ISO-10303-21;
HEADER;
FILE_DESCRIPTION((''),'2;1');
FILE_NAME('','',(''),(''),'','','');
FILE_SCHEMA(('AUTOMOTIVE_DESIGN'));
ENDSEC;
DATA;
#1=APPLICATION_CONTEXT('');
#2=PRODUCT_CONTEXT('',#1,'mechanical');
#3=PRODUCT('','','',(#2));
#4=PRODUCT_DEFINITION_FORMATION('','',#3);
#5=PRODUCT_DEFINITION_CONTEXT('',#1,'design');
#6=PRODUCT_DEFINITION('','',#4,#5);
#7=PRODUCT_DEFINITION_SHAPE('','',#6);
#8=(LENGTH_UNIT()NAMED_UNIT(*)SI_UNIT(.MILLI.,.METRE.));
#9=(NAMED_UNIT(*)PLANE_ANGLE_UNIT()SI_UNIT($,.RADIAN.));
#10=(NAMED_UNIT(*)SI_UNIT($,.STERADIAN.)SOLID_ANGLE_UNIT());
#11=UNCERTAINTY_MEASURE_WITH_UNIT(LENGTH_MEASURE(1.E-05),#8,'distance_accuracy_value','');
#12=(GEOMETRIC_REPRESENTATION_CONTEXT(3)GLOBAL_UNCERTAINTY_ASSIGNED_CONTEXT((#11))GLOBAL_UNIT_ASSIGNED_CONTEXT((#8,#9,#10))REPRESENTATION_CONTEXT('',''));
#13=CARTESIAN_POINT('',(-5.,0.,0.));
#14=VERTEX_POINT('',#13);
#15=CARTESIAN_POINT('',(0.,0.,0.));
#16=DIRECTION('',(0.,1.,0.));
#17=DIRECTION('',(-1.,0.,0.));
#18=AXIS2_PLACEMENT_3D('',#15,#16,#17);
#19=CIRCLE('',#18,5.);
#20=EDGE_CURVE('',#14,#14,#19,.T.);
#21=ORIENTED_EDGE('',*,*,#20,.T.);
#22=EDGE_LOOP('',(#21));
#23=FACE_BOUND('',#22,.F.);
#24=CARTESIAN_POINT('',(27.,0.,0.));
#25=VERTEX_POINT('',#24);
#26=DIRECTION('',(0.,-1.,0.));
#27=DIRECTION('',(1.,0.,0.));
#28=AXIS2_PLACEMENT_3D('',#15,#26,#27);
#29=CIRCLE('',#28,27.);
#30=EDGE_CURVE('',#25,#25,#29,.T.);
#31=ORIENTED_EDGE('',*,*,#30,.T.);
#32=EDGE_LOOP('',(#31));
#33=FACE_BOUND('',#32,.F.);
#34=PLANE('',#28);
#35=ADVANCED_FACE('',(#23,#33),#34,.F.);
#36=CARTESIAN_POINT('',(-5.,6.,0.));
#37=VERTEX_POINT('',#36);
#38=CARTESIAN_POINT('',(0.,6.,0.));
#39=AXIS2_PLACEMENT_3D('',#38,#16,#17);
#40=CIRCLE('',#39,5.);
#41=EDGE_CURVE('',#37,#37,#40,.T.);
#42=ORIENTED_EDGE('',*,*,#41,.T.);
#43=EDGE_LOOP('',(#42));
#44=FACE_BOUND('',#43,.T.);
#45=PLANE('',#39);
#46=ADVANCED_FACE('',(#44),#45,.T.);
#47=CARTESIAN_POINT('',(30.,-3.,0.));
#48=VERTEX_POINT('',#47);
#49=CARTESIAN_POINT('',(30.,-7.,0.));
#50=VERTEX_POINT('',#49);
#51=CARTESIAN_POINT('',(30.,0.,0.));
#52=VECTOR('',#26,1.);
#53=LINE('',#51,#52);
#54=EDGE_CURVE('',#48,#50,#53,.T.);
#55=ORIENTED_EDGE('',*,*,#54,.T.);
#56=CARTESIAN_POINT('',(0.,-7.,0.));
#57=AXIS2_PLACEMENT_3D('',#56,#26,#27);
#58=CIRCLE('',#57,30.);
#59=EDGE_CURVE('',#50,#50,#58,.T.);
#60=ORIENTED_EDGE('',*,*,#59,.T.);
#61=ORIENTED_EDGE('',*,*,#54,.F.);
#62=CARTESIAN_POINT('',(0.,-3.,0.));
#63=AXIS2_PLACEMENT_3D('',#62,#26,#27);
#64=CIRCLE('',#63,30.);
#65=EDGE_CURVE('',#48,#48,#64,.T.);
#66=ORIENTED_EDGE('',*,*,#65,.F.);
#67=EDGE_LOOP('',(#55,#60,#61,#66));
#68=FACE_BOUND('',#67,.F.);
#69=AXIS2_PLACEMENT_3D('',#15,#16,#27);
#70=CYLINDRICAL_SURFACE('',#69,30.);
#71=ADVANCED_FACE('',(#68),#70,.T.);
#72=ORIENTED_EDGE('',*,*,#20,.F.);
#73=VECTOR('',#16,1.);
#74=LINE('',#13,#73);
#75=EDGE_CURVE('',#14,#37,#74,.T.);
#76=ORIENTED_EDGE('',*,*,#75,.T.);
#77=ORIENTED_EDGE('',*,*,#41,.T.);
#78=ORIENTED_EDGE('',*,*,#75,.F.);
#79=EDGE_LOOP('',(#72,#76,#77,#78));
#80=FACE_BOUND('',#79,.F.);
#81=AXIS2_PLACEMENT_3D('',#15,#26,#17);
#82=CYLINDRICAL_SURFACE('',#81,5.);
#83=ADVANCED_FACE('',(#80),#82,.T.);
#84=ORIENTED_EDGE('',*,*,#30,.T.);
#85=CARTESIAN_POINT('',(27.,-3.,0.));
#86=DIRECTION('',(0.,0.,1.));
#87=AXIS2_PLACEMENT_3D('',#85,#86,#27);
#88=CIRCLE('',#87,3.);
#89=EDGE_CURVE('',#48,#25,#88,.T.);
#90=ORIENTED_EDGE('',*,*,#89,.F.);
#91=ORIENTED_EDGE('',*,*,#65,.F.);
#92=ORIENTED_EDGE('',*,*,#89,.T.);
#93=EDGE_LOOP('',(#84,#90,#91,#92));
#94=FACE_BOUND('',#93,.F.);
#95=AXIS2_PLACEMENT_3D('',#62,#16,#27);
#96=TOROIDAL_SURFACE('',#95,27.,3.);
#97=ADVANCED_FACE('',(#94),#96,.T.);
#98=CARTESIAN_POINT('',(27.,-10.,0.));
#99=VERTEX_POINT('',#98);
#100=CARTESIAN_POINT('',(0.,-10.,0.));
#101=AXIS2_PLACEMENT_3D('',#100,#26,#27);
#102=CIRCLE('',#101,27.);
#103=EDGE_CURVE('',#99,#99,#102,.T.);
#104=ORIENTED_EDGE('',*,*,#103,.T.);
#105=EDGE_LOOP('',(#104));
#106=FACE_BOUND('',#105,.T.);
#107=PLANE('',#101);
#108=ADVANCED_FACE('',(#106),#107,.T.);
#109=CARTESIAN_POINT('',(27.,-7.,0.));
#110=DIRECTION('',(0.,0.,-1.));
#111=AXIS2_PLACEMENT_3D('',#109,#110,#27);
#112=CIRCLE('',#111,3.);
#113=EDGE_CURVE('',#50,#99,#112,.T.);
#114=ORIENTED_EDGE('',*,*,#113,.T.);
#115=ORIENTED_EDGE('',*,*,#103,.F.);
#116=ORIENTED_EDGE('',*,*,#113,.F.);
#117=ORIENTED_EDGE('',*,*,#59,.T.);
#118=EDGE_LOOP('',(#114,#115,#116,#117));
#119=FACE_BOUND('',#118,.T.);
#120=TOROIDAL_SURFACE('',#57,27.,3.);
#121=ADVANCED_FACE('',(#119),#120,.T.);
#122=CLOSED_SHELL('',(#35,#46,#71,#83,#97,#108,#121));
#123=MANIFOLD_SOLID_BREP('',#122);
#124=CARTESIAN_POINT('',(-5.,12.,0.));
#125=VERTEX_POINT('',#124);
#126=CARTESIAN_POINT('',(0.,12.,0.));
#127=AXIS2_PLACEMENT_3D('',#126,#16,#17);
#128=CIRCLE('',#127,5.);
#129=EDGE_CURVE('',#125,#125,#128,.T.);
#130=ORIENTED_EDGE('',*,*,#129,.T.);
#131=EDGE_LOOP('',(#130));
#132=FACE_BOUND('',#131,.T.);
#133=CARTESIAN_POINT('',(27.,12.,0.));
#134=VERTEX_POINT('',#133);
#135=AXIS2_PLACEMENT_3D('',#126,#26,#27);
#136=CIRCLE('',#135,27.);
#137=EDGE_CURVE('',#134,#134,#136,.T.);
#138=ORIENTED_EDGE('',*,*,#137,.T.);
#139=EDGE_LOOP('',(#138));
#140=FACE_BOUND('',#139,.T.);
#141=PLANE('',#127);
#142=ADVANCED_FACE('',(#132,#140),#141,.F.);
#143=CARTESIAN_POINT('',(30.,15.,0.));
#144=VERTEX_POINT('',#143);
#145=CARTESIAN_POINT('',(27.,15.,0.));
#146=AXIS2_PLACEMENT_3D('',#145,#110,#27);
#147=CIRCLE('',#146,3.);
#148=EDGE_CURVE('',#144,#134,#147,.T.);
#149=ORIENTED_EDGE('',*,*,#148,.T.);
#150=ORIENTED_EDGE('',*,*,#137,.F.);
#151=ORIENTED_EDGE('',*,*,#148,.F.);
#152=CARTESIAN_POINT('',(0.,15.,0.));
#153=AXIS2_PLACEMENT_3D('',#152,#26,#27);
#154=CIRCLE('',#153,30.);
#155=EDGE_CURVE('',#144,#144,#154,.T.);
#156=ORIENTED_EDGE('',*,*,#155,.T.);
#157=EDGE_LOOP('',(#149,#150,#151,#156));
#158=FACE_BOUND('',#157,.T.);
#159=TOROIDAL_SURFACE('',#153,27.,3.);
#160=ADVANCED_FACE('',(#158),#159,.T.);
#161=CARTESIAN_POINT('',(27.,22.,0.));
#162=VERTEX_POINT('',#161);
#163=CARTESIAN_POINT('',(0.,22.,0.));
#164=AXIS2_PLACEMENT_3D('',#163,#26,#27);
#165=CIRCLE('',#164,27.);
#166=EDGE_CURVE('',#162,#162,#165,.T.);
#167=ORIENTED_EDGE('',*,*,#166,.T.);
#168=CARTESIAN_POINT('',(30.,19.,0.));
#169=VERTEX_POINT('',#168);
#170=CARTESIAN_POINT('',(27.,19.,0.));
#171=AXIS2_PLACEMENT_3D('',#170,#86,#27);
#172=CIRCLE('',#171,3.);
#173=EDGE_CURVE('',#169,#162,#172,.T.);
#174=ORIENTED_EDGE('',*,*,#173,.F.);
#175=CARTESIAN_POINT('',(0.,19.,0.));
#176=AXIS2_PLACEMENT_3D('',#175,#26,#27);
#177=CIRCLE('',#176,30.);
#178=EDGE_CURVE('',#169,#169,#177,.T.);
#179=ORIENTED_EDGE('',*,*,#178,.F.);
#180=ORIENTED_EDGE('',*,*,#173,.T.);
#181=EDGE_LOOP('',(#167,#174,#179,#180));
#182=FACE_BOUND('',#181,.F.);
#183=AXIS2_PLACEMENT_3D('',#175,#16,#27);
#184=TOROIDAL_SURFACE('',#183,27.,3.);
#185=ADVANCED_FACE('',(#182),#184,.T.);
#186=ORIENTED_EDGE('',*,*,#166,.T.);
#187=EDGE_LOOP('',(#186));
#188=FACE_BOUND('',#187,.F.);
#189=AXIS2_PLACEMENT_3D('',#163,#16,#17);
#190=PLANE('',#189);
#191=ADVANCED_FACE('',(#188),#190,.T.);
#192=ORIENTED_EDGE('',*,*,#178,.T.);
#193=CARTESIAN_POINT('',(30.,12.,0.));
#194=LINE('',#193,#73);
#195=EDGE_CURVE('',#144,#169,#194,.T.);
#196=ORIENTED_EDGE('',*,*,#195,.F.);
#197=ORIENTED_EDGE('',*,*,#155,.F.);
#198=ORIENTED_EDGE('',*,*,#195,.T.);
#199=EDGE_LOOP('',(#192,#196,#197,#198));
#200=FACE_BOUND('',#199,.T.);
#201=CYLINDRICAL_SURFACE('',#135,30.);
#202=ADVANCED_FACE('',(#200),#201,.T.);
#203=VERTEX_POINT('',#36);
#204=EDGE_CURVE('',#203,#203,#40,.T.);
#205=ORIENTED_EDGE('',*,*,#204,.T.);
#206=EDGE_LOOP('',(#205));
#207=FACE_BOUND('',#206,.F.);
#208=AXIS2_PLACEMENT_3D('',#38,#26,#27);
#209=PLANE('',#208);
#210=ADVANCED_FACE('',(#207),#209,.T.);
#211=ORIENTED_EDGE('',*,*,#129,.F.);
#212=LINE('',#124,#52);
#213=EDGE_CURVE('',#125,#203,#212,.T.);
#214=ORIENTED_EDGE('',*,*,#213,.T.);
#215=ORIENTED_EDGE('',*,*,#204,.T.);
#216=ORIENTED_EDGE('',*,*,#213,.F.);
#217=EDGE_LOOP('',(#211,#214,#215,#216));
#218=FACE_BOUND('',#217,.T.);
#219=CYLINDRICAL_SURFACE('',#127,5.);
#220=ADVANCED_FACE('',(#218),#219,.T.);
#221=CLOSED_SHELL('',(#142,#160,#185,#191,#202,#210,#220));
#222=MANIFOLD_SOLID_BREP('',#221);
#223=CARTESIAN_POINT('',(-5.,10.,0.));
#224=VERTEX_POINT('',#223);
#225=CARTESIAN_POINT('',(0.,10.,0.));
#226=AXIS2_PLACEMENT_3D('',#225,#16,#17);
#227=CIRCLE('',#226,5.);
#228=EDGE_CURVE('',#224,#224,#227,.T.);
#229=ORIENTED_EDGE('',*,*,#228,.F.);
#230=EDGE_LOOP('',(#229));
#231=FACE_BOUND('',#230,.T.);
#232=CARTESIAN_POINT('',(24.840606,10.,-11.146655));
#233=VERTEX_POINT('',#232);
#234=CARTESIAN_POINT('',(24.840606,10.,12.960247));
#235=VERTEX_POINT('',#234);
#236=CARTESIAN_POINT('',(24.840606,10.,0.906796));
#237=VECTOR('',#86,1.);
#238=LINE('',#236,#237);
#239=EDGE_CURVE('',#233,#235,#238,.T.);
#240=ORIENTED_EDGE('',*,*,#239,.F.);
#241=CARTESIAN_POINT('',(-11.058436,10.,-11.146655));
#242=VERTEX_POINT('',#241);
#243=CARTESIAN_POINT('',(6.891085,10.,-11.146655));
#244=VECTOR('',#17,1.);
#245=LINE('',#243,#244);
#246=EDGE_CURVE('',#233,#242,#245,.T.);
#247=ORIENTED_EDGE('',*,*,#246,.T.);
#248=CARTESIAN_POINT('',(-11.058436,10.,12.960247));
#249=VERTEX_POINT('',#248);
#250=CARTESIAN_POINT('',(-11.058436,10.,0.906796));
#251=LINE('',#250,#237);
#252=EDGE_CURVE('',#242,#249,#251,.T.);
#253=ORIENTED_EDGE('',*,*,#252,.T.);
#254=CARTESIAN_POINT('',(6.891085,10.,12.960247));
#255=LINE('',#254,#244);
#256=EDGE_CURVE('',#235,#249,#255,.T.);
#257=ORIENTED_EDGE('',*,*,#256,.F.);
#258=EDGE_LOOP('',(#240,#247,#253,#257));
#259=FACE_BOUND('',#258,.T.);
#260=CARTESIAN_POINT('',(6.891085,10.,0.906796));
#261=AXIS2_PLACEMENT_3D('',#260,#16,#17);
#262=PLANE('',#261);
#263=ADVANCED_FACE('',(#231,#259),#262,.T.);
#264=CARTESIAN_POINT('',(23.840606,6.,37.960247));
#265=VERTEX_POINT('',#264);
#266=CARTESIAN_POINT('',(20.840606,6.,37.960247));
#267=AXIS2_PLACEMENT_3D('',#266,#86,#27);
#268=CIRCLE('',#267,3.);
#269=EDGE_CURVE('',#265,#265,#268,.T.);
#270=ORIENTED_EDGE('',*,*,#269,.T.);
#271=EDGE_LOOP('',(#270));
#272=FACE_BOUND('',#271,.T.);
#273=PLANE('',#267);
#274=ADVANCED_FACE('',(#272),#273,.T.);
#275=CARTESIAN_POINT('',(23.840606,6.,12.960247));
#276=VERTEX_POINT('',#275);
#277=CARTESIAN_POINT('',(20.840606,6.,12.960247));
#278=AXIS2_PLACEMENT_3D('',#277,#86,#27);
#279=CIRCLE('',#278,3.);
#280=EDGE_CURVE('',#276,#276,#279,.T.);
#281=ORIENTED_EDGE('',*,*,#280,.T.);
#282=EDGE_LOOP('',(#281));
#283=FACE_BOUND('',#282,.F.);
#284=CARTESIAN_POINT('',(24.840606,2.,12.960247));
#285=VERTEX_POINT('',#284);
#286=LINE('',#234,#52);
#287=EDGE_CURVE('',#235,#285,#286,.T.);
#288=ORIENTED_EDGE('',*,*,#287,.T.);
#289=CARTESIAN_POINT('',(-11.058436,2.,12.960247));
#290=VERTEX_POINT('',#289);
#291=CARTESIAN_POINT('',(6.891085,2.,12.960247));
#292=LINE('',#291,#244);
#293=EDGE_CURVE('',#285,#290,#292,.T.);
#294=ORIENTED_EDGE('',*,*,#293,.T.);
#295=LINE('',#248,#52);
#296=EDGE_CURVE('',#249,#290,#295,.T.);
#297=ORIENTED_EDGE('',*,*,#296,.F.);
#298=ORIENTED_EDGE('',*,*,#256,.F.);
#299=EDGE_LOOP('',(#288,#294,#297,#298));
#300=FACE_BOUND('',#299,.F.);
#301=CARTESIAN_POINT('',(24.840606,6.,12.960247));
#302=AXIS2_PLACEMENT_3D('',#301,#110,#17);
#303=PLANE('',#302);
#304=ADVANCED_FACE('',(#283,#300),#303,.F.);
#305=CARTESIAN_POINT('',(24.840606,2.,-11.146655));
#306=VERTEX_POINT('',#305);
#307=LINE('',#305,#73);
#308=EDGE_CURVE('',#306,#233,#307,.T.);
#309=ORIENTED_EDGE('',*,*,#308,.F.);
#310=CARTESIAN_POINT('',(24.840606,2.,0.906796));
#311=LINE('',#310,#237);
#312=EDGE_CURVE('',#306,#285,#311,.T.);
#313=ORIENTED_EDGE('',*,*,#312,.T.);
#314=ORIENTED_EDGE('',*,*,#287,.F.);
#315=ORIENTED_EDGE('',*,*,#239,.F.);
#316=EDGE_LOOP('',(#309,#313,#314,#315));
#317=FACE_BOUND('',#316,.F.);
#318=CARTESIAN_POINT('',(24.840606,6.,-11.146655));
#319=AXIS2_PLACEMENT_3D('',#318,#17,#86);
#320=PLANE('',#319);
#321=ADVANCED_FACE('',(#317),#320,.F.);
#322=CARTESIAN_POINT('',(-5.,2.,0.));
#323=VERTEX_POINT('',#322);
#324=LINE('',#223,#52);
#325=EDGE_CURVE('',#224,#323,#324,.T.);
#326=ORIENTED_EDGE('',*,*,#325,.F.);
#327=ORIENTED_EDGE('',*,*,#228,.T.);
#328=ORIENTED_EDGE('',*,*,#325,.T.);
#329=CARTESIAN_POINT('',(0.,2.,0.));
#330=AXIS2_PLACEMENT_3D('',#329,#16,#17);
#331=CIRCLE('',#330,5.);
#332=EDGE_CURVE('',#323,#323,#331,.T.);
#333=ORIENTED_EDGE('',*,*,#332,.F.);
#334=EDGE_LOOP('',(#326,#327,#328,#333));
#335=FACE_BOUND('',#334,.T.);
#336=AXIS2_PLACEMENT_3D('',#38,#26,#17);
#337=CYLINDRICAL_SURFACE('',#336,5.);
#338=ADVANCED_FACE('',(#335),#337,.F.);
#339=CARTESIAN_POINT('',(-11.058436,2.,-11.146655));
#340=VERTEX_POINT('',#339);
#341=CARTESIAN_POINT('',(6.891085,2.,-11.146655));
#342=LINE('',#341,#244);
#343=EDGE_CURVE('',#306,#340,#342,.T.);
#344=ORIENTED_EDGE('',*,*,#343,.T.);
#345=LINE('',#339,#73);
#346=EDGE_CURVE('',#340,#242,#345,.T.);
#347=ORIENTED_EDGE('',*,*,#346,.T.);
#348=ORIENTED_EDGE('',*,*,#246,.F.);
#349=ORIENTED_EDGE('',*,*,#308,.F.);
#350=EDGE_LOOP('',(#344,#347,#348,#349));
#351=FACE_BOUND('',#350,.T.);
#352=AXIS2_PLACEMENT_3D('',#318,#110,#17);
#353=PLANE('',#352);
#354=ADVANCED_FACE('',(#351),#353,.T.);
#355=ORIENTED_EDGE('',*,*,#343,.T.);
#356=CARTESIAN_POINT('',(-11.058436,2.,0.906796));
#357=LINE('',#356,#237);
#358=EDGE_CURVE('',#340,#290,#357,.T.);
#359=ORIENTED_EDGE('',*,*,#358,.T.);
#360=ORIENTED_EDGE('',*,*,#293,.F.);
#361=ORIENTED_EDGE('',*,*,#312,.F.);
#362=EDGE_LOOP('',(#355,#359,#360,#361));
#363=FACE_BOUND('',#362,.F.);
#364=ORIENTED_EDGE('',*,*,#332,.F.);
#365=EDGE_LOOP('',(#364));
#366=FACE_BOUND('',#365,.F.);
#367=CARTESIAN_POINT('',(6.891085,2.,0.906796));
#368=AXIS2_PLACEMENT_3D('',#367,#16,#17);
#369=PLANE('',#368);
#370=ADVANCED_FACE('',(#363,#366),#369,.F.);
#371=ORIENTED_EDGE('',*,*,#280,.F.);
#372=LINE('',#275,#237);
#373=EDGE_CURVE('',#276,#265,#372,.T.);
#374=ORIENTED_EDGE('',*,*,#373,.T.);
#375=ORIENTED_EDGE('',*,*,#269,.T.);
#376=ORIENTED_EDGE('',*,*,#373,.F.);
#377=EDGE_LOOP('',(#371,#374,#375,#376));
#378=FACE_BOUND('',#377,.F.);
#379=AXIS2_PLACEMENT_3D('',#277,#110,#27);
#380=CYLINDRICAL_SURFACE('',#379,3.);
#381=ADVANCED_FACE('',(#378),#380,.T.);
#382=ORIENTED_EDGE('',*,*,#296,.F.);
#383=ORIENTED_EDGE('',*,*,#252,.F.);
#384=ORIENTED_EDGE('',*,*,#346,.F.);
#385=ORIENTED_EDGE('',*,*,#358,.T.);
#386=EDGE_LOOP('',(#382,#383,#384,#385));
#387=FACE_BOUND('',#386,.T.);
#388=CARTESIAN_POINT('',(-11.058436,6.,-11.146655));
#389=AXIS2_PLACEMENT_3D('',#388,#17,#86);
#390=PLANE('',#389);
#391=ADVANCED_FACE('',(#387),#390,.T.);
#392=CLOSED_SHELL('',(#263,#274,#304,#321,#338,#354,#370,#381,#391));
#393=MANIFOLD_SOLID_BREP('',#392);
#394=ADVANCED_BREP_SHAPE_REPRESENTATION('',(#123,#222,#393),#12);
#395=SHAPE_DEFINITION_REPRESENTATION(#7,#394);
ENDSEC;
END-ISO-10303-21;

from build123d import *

# Parameters (mm, degrees)
F0_R     = 30
F1_DEPTH = 10
F2_R     = 3
F3_R     = 5
F4_DEPTH = 6
F6_W     = 35.899042
F6_H     = 24.106902
F6_R     = 5
F7_DEPTH = 4
F8_R     = 3
F9_DEPTH = 25


with BuildPart() as f1:
    # F0 (on Front) → F1 (new body)
    with BuildSketch(Plane.XZ):
        Circle(F0_R)
    extrude(amount=F1_DEPTH)

    # F2
    f2_edges = [f1.edges().sort_by_distance(p)[0] for p in [
        (-30, 0, 0),
        (-30, -10, 0),
    ]]
    fillet(f2_edges, radius=F2_R)

    # F3 (on face) → F4 (join)
    with BuildSketch(Plane(origin=(0, 0, 0), x_dir=(-1, 0, 0), z_dir=(0, 1, 0))):
        Circle(F3_R)
    extrude(amount=F4_DEPTH)


with BuildPart() as f5_1:
    # F5: instance of F1
    add(f1.part.mirror(Plane(origin=(0, 6, 0), x_dir=(-1, 0, 0), z_dir=(0, 1, 0))))


with BuildPart() as f7:
    # F6 (on face) → F7 (new body, symmetric)
    with BuildSketch(Plane(origin=(0, 6, 0), x_dir=(-1, 0, 0), z_dir=(0, 1, 0))):
        with Locations((-6.891085, 0.906796)):
            Rectangle(F6_W, F6_H)
        Circle(F6_R, mode=Mode.SUBTRACT)
    extrude(amount=F7_DEPTH, both=True)

    # F8 (on face) → F9 (join)
    with BuildSketch(Plane.XY.offset(12.960247)):
        with Locations((20.840606, 6)):
            Circle(F8_R)
    extrude(amount=F9_DEPTH)


solid = Compound([f1.part, f5_1.part, f7.part])
